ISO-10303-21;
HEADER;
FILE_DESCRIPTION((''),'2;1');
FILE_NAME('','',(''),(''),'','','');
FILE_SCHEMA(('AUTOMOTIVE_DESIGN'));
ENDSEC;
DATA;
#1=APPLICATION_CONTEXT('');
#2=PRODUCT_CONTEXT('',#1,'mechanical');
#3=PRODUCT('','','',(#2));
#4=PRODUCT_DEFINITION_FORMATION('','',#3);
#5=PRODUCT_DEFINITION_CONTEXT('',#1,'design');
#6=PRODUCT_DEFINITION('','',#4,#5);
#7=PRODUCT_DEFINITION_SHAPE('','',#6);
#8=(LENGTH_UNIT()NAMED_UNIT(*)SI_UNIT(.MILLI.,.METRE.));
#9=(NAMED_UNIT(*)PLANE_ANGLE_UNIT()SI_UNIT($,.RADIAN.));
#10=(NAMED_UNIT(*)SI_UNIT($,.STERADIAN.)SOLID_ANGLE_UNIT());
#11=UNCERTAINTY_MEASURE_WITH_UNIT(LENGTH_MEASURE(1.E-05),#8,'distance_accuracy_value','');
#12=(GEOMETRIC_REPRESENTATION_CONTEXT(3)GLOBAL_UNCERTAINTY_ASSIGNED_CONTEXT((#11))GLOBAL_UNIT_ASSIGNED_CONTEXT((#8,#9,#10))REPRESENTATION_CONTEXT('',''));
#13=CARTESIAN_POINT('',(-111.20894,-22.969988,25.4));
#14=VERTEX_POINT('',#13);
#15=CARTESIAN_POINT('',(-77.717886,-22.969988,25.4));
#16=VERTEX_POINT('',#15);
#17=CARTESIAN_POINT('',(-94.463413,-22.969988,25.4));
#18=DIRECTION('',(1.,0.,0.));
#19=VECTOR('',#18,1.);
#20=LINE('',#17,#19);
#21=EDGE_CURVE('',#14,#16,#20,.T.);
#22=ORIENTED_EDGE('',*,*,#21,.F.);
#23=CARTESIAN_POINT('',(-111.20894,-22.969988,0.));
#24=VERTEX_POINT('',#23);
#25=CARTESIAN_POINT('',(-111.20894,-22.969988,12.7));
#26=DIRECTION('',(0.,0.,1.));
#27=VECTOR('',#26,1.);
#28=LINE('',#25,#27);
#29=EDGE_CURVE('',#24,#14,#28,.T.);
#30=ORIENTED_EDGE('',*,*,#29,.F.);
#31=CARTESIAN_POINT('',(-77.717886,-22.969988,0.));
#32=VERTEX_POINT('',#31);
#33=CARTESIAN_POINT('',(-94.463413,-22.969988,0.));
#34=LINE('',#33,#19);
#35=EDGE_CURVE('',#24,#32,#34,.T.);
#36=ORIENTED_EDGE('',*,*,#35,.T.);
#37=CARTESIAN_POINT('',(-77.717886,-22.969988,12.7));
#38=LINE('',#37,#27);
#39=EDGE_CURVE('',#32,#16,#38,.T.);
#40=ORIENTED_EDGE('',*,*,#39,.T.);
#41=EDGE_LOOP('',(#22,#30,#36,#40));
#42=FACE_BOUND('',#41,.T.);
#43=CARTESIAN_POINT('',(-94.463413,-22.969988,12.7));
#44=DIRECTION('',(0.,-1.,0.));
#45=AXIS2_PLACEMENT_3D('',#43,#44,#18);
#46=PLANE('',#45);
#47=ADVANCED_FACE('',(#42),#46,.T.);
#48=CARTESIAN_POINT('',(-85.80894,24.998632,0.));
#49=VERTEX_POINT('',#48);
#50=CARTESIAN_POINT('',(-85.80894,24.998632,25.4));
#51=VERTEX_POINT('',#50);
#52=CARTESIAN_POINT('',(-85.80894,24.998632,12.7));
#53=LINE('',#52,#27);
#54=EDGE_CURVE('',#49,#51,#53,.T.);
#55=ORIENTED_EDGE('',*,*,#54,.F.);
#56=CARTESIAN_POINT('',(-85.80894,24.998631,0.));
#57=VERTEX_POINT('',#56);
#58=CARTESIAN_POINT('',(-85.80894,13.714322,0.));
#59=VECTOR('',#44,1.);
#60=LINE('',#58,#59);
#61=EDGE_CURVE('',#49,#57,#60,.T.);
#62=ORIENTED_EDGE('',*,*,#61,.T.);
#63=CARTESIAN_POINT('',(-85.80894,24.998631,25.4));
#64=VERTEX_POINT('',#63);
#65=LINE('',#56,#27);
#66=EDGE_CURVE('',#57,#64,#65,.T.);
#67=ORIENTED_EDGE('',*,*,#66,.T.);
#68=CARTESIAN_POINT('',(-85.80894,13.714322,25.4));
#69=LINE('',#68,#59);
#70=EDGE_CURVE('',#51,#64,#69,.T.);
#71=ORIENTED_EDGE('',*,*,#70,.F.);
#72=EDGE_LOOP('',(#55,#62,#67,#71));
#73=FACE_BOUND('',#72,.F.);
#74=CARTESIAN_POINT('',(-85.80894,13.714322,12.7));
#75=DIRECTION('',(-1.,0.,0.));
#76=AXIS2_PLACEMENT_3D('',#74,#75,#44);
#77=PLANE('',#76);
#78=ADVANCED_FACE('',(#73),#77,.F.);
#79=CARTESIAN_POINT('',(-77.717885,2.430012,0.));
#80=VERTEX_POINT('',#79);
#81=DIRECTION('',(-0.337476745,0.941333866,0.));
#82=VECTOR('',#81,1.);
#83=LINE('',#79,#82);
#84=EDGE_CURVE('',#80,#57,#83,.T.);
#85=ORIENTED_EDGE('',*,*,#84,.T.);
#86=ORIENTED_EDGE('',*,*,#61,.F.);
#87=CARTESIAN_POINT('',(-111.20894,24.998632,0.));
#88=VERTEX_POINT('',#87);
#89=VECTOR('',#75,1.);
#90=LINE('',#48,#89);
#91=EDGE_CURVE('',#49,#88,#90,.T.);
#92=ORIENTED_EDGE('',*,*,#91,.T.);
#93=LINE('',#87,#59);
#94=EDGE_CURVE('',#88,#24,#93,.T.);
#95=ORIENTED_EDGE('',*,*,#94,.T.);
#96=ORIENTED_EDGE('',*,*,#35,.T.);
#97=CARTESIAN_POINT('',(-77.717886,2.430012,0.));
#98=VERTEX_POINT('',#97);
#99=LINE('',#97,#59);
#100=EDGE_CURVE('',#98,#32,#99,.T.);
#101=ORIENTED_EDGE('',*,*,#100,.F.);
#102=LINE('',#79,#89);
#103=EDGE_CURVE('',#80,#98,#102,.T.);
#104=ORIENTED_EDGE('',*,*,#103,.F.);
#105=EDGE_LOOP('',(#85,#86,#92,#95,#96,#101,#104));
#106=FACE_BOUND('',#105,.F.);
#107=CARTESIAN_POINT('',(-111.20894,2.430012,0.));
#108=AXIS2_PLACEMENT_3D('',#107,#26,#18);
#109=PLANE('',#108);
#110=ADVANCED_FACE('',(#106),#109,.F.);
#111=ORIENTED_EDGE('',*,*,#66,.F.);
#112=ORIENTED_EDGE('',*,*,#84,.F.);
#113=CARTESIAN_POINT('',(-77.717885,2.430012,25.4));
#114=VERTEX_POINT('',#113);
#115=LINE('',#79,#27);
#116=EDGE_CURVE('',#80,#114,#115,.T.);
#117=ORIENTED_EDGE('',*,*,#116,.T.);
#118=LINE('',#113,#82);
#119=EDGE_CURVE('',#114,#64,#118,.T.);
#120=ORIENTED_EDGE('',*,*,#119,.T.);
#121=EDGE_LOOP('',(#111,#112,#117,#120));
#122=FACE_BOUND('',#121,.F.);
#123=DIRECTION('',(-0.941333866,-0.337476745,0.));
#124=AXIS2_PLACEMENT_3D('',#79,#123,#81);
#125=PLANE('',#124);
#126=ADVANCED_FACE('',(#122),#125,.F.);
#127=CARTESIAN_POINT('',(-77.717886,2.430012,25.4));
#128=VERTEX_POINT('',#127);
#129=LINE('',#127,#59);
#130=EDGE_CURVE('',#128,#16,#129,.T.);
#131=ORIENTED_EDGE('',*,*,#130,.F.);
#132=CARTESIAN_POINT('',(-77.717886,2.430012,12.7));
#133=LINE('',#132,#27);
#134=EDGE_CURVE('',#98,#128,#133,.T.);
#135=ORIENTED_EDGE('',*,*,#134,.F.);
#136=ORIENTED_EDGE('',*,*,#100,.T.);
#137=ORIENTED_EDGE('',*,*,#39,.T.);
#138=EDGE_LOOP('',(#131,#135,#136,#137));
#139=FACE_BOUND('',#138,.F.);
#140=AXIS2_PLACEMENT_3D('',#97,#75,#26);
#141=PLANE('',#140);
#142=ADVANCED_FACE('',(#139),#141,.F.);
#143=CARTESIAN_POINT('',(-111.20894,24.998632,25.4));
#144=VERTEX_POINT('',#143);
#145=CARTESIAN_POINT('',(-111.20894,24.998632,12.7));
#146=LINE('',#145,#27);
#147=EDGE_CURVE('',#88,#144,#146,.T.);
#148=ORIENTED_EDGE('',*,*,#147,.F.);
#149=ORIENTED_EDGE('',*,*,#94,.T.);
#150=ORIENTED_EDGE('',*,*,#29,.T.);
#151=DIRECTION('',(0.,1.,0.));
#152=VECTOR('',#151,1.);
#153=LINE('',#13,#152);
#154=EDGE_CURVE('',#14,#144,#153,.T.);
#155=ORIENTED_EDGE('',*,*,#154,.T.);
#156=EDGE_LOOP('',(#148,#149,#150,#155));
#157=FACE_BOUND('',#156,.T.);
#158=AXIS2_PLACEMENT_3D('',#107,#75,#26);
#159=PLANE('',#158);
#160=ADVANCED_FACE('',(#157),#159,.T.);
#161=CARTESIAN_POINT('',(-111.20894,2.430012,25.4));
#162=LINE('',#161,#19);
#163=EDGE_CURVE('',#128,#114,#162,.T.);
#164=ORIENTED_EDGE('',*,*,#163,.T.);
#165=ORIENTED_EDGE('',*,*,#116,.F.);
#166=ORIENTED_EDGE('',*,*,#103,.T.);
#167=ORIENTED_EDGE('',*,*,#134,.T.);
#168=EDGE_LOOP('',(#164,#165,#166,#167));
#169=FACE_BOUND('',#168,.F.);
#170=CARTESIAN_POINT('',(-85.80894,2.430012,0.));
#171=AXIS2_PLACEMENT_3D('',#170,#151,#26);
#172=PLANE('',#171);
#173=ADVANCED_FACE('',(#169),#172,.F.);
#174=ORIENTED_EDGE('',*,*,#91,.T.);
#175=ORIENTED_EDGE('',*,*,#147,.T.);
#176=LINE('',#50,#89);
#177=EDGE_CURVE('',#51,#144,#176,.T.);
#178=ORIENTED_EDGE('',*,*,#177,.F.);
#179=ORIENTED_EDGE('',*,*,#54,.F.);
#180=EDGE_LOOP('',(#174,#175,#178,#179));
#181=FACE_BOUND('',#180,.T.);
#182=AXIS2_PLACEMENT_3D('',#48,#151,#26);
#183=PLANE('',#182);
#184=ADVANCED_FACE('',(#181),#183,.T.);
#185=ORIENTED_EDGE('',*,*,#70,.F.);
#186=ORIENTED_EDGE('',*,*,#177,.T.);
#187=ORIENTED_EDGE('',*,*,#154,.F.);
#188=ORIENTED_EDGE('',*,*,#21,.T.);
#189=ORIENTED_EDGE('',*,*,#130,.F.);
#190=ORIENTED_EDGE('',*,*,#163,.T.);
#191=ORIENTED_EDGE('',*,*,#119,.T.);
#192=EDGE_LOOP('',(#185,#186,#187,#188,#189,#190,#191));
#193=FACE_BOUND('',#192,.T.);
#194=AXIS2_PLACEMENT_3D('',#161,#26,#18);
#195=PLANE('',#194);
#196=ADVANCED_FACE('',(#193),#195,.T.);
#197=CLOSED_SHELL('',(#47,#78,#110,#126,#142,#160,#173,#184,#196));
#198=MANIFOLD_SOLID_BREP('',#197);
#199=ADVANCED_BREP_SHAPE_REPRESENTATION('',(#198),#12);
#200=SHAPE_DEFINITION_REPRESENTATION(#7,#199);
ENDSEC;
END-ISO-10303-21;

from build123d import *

# Parameters (mm, degrees)
F1_DEPTH  = 25.4
F1_FACE_W = 22.56862
F1_FACE_H = 25.4
F2_DEPTH  = 25.4
F2_FACE_W = 33.491054
F2_FACE_H = 25.4
F3_DEPTH  = 25.4


with BuildPart() as f1:
    # F0 (on Top) → F1 (new body)
    with BuildSketch(Plane.XY):
        Polygon((-77.717885, 2.430012), (-85.80894, 24.998631), (-85.80894, 2.430012), align=None)
    extrude(amount=F1_DEPTH)

    # F1_face (on face) → F2 (join)
    with BuildSketch(Plane(origin=(-85.80894, 13.714322, 12.7), x_dir=(0, -1, 0), z_dir=(-1, 0, 0))):
        Rectangle(F1_FACE_W, F1_FACE_H)
    extrude(amount=F2_DEPTH)

    # F2_face (on face) → F3 (join)
    with BuildSketch(Plane(origin=(-94.463413, 2.430012, 12.7), x_dir=(1, 0, 0), z_dir=(0, -1, 0))):
        Rectangle(F2_FACE_W, F2_FACE_H)
    extrude(amount=F3_DEPTH)


solid = f1.part
